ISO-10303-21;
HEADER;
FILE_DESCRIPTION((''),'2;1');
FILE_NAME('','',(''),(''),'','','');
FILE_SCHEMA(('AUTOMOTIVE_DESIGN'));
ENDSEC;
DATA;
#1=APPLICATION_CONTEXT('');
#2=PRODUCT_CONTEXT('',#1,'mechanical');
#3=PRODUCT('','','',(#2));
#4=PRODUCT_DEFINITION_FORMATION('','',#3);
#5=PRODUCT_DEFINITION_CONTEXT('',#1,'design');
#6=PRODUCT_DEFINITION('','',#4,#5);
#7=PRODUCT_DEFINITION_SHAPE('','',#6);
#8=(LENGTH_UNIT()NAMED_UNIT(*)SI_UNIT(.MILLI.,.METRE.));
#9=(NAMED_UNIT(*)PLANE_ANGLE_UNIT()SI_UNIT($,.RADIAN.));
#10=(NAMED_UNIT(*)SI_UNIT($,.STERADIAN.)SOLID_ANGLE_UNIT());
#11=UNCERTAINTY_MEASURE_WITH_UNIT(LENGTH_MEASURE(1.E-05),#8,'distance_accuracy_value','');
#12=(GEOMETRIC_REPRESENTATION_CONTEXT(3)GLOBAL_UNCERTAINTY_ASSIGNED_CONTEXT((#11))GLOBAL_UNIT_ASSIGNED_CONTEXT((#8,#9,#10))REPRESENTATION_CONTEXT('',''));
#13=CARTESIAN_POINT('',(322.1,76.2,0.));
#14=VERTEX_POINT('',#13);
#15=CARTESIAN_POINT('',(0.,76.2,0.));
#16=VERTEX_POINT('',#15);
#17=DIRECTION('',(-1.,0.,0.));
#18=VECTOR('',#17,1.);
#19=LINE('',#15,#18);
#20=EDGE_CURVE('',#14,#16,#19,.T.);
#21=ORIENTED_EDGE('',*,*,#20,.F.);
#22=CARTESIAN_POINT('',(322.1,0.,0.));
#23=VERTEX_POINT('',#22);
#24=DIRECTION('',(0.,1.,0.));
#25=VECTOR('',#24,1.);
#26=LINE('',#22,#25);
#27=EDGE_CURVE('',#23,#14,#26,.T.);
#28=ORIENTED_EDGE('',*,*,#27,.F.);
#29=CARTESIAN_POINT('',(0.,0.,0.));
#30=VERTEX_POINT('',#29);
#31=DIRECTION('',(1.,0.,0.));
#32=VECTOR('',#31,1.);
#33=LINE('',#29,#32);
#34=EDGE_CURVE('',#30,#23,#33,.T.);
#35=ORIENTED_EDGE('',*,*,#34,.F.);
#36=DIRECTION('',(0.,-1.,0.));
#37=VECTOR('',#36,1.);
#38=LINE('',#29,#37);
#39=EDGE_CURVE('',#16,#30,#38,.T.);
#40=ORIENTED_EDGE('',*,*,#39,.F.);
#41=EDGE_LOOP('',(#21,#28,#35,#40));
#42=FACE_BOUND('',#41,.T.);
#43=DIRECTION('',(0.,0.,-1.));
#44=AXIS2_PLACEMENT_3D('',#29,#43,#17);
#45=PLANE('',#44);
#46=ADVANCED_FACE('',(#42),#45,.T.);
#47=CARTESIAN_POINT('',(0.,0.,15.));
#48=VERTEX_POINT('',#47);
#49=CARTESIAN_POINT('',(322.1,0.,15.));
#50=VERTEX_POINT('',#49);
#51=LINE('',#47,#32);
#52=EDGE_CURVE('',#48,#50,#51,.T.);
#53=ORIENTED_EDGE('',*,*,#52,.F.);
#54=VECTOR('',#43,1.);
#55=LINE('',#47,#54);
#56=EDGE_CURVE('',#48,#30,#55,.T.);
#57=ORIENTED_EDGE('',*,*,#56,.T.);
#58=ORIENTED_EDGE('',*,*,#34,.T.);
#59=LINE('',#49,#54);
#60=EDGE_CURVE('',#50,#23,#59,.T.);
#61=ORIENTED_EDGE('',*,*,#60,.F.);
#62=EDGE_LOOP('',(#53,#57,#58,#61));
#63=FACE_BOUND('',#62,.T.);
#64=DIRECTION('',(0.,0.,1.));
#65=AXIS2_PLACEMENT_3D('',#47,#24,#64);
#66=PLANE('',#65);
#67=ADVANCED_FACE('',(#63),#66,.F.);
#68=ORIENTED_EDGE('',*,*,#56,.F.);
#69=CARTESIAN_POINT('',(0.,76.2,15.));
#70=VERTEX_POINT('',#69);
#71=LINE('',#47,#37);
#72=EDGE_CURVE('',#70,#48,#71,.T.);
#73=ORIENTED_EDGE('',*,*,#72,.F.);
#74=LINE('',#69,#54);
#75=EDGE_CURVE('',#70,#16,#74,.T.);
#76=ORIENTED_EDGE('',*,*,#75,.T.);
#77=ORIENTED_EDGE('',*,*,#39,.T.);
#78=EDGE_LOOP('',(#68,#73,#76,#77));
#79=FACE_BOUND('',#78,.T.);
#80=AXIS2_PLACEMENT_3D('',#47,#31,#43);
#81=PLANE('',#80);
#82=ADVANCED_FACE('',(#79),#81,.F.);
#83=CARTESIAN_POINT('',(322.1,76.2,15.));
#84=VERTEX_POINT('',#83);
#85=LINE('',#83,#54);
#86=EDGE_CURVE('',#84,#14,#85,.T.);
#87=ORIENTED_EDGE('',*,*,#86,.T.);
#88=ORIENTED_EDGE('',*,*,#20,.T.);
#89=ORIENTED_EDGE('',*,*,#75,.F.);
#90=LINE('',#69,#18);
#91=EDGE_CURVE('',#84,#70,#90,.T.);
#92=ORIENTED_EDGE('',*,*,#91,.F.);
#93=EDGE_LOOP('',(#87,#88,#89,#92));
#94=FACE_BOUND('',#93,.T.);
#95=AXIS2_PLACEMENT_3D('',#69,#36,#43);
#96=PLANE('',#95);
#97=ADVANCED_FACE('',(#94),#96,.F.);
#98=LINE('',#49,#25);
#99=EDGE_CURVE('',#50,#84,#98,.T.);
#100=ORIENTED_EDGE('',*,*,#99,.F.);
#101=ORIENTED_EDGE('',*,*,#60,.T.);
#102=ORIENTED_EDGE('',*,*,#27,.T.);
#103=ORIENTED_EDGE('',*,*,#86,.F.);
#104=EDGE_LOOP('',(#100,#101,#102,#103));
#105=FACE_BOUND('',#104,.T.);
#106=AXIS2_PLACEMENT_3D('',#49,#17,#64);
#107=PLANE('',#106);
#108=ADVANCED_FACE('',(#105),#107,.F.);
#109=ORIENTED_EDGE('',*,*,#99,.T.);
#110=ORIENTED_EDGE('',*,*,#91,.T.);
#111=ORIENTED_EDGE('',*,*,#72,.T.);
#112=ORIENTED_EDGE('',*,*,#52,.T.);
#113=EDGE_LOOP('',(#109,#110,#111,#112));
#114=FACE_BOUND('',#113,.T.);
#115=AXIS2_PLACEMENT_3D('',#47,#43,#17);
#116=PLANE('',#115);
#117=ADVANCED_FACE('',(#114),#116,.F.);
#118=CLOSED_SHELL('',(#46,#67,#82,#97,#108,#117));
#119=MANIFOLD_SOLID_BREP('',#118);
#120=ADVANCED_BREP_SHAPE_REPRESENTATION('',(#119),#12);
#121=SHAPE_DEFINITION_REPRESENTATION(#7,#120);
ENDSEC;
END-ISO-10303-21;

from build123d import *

# Parameters (mm, degrees)
SKETCH_1_W      = 322.1
SKETCH_1_H      = 76.2
EXTRUDE_1_DEPTH = 15


with BuildPart() as part:
    # 草图1 → 凸台-拉伸1 (new body)
    with BuildSketch(Plane.XY):
        with Locations((161.05, 38.1)):
            Rectangle(SKETCH_1_W, SKETCH_1_H)
    extrude(amount=EXTRUDE_1_DEPTH)


solid = part.part
